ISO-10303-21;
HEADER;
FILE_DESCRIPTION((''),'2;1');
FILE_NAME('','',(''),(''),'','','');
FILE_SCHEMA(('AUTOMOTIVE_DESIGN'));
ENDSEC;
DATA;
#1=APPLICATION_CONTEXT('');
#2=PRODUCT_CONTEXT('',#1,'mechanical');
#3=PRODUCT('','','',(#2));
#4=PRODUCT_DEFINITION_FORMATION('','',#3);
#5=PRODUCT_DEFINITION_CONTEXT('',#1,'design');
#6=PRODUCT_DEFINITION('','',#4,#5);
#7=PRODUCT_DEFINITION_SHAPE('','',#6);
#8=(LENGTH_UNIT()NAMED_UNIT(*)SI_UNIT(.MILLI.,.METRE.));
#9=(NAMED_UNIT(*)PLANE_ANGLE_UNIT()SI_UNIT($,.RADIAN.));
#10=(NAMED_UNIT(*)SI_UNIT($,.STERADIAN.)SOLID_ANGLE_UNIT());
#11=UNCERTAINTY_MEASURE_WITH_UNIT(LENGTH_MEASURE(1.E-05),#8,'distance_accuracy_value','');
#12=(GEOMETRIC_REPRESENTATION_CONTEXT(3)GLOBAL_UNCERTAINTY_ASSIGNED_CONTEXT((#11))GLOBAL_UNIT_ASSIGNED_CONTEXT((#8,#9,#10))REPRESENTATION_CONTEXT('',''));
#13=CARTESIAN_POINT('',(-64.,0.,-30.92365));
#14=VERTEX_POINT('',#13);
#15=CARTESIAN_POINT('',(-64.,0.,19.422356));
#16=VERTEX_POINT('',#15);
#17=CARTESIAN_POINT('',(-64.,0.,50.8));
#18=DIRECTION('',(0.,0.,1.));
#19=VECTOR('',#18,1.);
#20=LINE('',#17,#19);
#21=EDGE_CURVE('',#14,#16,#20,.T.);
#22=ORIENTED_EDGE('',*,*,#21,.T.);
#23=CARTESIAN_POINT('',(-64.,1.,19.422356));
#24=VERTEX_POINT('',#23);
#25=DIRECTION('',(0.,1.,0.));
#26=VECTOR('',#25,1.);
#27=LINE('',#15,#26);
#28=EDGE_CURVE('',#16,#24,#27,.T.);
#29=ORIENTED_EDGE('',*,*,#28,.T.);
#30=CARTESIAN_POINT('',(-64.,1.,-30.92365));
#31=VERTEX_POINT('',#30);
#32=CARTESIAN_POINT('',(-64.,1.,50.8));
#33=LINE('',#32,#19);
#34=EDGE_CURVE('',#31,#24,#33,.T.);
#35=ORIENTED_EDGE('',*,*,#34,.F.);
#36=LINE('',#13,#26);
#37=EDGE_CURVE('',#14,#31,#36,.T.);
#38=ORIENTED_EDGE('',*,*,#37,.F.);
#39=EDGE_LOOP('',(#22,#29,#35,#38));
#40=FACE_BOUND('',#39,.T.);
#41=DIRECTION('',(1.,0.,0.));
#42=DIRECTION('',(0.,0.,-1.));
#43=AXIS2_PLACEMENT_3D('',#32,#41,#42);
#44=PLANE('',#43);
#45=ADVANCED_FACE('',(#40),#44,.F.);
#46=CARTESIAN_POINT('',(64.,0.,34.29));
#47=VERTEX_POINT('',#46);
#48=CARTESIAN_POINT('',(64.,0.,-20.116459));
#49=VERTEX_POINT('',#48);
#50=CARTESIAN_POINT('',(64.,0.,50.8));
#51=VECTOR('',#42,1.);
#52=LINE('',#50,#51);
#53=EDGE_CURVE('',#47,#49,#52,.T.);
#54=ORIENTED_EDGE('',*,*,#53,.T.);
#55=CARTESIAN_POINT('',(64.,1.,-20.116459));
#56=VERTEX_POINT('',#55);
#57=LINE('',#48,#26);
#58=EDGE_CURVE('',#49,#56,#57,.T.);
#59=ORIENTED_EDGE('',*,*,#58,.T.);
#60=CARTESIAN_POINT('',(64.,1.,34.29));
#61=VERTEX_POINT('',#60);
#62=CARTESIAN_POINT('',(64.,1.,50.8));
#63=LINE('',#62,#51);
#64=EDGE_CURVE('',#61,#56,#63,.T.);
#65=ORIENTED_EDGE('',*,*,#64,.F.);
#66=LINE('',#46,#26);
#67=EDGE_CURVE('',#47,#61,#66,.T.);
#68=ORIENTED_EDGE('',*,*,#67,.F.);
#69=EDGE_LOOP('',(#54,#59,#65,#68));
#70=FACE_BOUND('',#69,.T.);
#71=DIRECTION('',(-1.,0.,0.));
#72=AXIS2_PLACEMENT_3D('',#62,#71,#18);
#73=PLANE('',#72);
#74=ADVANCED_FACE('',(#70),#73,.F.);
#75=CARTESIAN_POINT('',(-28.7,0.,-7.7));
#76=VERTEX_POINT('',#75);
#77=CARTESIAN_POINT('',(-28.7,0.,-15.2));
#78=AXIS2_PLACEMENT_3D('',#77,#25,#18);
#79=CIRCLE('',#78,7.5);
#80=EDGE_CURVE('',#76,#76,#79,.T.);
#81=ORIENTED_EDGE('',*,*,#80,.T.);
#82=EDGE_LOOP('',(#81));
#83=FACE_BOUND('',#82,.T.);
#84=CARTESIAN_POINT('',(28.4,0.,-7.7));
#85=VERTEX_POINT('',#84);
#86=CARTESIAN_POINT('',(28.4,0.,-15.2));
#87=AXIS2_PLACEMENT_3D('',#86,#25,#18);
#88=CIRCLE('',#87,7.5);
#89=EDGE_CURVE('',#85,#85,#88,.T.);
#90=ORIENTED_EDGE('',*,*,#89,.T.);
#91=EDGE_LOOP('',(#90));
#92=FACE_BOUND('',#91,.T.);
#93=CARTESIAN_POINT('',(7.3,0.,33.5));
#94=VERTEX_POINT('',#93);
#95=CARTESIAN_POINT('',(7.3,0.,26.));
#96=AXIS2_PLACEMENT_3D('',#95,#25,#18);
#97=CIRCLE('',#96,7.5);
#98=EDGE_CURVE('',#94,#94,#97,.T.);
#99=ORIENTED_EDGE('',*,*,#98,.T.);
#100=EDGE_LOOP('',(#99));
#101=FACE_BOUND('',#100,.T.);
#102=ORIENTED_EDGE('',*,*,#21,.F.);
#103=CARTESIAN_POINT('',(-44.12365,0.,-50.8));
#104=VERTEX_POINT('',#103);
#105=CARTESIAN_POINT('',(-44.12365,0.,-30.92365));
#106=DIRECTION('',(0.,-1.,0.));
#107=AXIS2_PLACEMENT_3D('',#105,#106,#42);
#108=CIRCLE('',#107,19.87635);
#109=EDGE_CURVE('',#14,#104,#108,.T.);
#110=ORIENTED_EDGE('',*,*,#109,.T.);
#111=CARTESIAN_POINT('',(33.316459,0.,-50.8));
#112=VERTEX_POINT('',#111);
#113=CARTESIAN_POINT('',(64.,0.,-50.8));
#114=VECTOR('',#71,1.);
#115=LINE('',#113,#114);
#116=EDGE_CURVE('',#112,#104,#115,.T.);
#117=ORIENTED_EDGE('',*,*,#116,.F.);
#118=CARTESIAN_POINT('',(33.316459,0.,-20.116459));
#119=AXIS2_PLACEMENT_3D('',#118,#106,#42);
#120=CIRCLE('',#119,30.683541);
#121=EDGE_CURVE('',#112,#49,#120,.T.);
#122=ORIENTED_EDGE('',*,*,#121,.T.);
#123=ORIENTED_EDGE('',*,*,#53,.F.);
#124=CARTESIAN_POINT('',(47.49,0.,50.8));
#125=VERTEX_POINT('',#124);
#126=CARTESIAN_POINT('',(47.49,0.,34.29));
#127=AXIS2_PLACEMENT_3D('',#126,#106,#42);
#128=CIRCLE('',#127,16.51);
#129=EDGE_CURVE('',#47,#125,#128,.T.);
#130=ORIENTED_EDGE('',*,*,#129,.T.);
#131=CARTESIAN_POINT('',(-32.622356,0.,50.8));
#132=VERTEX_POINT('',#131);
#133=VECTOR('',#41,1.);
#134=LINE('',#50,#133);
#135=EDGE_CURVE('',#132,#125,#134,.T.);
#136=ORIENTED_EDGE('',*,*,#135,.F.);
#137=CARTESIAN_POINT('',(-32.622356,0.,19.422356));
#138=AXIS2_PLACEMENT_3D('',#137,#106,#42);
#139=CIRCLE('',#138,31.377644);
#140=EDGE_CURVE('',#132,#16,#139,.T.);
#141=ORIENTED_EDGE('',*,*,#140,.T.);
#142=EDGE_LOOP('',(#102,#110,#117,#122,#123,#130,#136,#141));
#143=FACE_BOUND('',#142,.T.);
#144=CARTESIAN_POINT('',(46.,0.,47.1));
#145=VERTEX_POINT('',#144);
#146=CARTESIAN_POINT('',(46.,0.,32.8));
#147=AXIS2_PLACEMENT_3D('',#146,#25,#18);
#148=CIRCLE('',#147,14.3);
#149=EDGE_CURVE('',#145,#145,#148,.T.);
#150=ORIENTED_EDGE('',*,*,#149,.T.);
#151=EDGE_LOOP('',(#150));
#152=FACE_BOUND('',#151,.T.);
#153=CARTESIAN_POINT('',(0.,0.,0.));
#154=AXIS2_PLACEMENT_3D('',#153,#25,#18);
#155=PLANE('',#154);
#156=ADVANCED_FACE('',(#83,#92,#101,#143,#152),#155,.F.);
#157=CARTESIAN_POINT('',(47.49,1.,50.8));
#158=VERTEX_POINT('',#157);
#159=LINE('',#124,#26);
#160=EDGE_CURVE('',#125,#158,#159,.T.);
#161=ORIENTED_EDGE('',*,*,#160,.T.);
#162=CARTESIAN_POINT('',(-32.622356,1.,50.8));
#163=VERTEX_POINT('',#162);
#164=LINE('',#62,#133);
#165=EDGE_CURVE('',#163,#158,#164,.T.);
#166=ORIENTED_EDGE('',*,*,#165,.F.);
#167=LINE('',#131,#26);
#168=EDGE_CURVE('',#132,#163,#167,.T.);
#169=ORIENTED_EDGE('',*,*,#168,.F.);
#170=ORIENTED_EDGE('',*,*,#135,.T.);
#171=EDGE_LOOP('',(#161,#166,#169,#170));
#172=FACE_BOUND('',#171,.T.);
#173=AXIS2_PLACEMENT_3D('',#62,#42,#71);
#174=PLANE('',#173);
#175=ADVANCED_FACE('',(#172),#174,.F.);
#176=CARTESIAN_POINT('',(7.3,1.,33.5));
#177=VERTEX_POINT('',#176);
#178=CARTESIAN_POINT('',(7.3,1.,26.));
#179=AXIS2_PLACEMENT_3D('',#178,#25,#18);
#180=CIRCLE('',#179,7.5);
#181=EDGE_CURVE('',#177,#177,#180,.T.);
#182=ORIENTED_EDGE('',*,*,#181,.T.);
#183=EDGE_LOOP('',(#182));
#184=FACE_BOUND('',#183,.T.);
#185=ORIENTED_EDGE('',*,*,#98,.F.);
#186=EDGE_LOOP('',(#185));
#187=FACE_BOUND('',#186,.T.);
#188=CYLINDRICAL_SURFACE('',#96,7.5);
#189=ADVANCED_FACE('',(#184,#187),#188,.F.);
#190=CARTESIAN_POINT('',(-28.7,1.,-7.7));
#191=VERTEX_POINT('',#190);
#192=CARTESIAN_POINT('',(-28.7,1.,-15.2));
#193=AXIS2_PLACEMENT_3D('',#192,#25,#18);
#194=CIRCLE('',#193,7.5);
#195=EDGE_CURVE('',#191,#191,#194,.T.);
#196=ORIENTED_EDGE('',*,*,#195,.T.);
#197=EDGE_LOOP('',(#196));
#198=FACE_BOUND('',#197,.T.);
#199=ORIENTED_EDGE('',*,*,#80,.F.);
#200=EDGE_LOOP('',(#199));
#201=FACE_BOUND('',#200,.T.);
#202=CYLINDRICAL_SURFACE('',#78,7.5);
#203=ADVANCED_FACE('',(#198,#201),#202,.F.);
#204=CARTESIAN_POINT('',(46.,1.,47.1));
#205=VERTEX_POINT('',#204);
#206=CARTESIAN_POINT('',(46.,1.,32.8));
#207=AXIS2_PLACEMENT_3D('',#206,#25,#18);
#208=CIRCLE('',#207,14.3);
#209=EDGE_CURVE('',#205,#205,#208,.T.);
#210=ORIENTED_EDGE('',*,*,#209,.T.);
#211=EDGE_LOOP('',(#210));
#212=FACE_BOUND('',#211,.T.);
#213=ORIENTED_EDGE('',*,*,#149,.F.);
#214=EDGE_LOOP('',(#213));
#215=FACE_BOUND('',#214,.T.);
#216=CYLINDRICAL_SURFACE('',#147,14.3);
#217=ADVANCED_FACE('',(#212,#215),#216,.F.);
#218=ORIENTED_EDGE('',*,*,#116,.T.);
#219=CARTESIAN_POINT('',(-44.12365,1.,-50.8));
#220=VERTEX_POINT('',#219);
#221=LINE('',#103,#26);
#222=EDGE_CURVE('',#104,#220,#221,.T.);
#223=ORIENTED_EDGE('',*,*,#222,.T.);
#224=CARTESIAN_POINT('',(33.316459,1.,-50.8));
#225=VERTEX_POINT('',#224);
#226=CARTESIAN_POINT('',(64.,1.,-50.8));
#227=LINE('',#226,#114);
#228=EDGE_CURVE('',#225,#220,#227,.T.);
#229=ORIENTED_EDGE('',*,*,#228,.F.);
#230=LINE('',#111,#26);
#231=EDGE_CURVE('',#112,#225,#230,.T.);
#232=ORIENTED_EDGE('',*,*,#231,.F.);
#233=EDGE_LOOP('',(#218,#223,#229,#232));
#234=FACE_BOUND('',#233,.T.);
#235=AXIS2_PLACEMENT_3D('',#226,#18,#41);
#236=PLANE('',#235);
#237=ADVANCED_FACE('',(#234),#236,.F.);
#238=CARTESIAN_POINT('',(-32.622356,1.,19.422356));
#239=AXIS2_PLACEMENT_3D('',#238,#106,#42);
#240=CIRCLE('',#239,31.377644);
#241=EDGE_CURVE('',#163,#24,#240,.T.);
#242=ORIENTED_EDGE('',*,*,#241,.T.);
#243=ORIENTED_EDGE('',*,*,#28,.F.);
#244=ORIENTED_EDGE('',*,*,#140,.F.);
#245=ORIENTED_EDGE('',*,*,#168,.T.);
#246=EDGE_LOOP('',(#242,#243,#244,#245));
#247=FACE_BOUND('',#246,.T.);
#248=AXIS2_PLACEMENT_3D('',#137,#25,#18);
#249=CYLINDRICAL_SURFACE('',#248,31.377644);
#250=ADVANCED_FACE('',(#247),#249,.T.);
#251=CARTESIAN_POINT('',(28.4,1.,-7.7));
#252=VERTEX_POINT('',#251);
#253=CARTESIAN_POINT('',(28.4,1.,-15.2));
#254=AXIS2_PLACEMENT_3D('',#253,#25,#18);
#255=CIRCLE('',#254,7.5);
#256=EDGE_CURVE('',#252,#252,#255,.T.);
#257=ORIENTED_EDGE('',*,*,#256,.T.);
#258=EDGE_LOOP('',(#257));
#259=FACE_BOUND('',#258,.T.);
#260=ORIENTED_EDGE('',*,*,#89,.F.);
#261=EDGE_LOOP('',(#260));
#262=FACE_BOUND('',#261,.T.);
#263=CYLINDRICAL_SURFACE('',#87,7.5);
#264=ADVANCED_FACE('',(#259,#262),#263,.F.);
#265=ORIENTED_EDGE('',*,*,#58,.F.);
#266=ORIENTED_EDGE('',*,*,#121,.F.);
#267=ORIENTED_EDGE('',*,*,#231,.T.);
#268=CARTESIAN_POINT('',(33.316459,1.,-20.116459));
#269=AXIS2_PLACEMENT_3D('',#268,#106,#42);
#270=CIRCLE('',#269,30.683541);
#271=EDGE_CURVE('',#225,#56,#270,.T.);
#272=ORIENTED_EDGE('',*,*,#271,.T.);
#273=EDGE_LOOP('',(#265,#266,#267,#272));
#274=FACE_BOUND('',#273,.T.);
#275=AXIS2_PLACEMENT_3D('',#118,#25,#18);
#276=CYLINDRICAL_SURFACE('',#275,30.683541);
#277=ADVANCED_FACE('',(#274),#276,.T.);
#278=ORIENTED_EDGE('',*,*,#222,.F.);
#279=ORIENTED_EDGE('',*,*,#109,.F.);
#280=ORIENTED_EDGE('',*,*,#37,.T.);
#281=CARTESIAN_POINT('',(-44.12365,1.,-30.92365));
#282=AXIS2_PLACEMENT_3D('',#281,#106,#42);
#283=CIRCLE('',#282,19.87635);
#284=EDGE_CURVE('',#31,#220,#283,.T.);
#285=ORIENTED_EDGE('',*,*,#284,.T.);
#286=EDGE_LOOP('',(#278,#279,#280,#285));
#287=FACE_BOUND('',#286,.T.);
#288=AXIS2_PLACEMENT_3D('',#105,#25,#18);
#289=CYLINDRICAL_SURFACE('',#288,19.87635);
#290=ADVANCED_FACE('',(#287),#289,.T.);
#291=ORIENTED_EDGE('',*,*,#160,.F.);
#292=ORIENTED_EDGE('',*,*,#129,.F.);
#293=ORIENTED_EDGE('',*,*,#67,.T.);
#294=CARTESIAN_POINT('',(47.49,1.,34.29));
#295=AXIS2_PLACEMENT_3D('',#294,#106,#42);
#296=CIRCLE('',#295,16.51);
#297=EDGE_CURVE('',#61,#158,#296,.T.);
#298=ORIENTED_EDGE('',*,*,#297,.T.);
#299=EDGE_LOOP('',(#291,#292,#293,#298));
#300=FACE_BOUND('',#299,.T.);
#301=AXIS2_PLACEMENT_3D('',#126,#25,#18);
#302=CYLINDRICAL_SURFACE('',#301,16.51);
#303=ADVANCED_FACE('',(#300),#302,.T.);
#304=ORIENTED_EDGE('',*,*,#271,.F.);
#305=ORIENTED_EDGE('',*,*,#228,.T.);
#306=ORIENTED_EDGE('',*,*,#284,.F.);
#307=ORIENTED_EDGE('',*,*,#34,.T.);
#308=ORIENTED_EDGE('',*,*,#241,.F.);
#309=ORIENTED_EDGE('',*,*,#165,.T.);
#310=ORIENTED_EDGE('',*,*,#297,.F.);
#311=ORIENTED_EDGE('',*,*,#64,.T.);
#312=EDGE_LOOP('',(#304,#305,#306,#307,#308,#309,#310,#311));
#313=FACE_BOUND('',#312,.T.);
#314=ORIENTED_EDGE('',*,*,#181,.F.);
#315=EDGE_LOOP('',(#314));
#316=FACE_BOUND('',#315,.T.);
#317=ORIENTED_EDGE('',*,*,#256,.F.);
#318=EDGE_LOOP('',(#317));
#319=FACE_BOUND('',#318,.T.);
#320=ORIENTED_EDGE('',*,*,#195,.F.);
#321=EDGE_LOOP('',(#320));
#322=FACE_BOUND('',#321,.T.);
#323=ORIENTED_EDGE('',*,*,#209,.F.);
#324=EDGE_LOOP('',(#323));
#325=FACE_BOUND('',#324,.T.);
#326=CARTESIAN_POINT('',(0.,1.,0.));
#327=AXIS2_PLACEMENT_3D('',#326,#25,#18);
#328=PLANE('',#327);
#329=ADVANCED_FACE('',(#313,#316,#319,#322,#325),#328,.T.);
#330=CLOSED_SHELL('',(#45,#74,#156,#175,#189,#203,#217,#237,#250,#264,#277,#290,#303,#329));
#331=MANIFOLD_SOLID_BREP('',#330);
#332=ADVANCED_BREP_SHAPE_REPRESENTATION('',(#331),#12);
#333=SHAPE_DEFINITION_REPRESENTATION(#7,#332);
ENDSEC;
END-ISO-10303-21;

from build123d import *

# Parameters (mm, degrees)
SKETCH1_W           = 128
SKETCH1_H           = 101.6
BOSS_EXTRUDE1_DEPTH = 1
CUT_EXTRUDE1_DEPTH  = 1
SKETCH3_R           = 14.3
SKETCH3_R_2         = 7.5
CUT_EXTRUDE2_DEPTH  = 1


with BuildPart() as part:
    # Sketch1 → Boss-Extrude1 (new body)
    with BuildSketch(Plane(origin=(0, 0, 0), x_dir=(1, 0, 0), z_dir=(0, 1, 0))):
        Rectangle(SKETCH1_W, SKETCH1_H)
    extrude(amount=BOSS_EXTRUDE1_DEPTH)

    # Sketch2 → Cut-Extrude1 (cut)
    with BuildSketch(Plane(origin=(0, 1, 0), x_dir=(1, 0, 0), z_dir=(0, 1, 0))):
        with BuildLine():
            Line((-64, -50.8), (-64, -19.42235648))
            ThreePointArc((-64, -19.42235648), (-54.809700991, -41.609700991), (-32.62235648, -50.8))
            Line((-32.62235648, -50.8), (-64, -50.8))
        make_face()
        with BuildLine():
            Line((47.49, -50.8), (64, -50.8))
            Line((64, -50.8), (64, -34.29))
            ThreePointArc((64, -34.29), (59.164332957, -45.964332957), (47.49, -50.8))
        make_face()
        with BuildLine():
            Line((-64, 30.923649501), (-64, 50.8))
            Line((-64, 50.8), (-44.123649501, 50.8))
            ThreePointArc((-44.123649501, 50.8), (-58.178351724, 44.978351724), (-64, 30.923649501))
        make_face()
        with BuildLine():
            Line((64, 20.116458758), (64, 50.8))
            Line((64, 50.8), (33.316458758, 50.8))
            ThreePointArc((33.316458758, 50.8), (55.012998841, 41.812998841), (64, 20.116458758))
        make_face()
    extrude(amount=-CUT_EXTRUDE1_DEPTH, mode=Mode.SUBTRACT)

    # Sketch3 → Cut-Extrude2 (cut)
    with BuildSketch(Plane(origin=(0, 1, 0), x_dir=(1, 0, 0), z_dir=(0, 1, 0))):
        with Locations(Location((46, -32.8, 0), (0, 0, 270))):
            Circle(SKETCH3_R)
        with Locations(Location((7.3, -26, 0), (0, 0, 270))):
            Circle(SKETCH3_R_2)
        with Locations(Location((-28.7, 15.2, 0), (0, 0, 270))):
            Circle(SKETCH3_R_2)
        with Locations(Location((28.4, 15.2, 0), (0, 0, 270))):
            Circle(SKETCH3_R_2)
    extrude(amount=-CUT_EXTRUDE2_DEPTH, mode=Mode.SUBTRACT)


solid = part.part
